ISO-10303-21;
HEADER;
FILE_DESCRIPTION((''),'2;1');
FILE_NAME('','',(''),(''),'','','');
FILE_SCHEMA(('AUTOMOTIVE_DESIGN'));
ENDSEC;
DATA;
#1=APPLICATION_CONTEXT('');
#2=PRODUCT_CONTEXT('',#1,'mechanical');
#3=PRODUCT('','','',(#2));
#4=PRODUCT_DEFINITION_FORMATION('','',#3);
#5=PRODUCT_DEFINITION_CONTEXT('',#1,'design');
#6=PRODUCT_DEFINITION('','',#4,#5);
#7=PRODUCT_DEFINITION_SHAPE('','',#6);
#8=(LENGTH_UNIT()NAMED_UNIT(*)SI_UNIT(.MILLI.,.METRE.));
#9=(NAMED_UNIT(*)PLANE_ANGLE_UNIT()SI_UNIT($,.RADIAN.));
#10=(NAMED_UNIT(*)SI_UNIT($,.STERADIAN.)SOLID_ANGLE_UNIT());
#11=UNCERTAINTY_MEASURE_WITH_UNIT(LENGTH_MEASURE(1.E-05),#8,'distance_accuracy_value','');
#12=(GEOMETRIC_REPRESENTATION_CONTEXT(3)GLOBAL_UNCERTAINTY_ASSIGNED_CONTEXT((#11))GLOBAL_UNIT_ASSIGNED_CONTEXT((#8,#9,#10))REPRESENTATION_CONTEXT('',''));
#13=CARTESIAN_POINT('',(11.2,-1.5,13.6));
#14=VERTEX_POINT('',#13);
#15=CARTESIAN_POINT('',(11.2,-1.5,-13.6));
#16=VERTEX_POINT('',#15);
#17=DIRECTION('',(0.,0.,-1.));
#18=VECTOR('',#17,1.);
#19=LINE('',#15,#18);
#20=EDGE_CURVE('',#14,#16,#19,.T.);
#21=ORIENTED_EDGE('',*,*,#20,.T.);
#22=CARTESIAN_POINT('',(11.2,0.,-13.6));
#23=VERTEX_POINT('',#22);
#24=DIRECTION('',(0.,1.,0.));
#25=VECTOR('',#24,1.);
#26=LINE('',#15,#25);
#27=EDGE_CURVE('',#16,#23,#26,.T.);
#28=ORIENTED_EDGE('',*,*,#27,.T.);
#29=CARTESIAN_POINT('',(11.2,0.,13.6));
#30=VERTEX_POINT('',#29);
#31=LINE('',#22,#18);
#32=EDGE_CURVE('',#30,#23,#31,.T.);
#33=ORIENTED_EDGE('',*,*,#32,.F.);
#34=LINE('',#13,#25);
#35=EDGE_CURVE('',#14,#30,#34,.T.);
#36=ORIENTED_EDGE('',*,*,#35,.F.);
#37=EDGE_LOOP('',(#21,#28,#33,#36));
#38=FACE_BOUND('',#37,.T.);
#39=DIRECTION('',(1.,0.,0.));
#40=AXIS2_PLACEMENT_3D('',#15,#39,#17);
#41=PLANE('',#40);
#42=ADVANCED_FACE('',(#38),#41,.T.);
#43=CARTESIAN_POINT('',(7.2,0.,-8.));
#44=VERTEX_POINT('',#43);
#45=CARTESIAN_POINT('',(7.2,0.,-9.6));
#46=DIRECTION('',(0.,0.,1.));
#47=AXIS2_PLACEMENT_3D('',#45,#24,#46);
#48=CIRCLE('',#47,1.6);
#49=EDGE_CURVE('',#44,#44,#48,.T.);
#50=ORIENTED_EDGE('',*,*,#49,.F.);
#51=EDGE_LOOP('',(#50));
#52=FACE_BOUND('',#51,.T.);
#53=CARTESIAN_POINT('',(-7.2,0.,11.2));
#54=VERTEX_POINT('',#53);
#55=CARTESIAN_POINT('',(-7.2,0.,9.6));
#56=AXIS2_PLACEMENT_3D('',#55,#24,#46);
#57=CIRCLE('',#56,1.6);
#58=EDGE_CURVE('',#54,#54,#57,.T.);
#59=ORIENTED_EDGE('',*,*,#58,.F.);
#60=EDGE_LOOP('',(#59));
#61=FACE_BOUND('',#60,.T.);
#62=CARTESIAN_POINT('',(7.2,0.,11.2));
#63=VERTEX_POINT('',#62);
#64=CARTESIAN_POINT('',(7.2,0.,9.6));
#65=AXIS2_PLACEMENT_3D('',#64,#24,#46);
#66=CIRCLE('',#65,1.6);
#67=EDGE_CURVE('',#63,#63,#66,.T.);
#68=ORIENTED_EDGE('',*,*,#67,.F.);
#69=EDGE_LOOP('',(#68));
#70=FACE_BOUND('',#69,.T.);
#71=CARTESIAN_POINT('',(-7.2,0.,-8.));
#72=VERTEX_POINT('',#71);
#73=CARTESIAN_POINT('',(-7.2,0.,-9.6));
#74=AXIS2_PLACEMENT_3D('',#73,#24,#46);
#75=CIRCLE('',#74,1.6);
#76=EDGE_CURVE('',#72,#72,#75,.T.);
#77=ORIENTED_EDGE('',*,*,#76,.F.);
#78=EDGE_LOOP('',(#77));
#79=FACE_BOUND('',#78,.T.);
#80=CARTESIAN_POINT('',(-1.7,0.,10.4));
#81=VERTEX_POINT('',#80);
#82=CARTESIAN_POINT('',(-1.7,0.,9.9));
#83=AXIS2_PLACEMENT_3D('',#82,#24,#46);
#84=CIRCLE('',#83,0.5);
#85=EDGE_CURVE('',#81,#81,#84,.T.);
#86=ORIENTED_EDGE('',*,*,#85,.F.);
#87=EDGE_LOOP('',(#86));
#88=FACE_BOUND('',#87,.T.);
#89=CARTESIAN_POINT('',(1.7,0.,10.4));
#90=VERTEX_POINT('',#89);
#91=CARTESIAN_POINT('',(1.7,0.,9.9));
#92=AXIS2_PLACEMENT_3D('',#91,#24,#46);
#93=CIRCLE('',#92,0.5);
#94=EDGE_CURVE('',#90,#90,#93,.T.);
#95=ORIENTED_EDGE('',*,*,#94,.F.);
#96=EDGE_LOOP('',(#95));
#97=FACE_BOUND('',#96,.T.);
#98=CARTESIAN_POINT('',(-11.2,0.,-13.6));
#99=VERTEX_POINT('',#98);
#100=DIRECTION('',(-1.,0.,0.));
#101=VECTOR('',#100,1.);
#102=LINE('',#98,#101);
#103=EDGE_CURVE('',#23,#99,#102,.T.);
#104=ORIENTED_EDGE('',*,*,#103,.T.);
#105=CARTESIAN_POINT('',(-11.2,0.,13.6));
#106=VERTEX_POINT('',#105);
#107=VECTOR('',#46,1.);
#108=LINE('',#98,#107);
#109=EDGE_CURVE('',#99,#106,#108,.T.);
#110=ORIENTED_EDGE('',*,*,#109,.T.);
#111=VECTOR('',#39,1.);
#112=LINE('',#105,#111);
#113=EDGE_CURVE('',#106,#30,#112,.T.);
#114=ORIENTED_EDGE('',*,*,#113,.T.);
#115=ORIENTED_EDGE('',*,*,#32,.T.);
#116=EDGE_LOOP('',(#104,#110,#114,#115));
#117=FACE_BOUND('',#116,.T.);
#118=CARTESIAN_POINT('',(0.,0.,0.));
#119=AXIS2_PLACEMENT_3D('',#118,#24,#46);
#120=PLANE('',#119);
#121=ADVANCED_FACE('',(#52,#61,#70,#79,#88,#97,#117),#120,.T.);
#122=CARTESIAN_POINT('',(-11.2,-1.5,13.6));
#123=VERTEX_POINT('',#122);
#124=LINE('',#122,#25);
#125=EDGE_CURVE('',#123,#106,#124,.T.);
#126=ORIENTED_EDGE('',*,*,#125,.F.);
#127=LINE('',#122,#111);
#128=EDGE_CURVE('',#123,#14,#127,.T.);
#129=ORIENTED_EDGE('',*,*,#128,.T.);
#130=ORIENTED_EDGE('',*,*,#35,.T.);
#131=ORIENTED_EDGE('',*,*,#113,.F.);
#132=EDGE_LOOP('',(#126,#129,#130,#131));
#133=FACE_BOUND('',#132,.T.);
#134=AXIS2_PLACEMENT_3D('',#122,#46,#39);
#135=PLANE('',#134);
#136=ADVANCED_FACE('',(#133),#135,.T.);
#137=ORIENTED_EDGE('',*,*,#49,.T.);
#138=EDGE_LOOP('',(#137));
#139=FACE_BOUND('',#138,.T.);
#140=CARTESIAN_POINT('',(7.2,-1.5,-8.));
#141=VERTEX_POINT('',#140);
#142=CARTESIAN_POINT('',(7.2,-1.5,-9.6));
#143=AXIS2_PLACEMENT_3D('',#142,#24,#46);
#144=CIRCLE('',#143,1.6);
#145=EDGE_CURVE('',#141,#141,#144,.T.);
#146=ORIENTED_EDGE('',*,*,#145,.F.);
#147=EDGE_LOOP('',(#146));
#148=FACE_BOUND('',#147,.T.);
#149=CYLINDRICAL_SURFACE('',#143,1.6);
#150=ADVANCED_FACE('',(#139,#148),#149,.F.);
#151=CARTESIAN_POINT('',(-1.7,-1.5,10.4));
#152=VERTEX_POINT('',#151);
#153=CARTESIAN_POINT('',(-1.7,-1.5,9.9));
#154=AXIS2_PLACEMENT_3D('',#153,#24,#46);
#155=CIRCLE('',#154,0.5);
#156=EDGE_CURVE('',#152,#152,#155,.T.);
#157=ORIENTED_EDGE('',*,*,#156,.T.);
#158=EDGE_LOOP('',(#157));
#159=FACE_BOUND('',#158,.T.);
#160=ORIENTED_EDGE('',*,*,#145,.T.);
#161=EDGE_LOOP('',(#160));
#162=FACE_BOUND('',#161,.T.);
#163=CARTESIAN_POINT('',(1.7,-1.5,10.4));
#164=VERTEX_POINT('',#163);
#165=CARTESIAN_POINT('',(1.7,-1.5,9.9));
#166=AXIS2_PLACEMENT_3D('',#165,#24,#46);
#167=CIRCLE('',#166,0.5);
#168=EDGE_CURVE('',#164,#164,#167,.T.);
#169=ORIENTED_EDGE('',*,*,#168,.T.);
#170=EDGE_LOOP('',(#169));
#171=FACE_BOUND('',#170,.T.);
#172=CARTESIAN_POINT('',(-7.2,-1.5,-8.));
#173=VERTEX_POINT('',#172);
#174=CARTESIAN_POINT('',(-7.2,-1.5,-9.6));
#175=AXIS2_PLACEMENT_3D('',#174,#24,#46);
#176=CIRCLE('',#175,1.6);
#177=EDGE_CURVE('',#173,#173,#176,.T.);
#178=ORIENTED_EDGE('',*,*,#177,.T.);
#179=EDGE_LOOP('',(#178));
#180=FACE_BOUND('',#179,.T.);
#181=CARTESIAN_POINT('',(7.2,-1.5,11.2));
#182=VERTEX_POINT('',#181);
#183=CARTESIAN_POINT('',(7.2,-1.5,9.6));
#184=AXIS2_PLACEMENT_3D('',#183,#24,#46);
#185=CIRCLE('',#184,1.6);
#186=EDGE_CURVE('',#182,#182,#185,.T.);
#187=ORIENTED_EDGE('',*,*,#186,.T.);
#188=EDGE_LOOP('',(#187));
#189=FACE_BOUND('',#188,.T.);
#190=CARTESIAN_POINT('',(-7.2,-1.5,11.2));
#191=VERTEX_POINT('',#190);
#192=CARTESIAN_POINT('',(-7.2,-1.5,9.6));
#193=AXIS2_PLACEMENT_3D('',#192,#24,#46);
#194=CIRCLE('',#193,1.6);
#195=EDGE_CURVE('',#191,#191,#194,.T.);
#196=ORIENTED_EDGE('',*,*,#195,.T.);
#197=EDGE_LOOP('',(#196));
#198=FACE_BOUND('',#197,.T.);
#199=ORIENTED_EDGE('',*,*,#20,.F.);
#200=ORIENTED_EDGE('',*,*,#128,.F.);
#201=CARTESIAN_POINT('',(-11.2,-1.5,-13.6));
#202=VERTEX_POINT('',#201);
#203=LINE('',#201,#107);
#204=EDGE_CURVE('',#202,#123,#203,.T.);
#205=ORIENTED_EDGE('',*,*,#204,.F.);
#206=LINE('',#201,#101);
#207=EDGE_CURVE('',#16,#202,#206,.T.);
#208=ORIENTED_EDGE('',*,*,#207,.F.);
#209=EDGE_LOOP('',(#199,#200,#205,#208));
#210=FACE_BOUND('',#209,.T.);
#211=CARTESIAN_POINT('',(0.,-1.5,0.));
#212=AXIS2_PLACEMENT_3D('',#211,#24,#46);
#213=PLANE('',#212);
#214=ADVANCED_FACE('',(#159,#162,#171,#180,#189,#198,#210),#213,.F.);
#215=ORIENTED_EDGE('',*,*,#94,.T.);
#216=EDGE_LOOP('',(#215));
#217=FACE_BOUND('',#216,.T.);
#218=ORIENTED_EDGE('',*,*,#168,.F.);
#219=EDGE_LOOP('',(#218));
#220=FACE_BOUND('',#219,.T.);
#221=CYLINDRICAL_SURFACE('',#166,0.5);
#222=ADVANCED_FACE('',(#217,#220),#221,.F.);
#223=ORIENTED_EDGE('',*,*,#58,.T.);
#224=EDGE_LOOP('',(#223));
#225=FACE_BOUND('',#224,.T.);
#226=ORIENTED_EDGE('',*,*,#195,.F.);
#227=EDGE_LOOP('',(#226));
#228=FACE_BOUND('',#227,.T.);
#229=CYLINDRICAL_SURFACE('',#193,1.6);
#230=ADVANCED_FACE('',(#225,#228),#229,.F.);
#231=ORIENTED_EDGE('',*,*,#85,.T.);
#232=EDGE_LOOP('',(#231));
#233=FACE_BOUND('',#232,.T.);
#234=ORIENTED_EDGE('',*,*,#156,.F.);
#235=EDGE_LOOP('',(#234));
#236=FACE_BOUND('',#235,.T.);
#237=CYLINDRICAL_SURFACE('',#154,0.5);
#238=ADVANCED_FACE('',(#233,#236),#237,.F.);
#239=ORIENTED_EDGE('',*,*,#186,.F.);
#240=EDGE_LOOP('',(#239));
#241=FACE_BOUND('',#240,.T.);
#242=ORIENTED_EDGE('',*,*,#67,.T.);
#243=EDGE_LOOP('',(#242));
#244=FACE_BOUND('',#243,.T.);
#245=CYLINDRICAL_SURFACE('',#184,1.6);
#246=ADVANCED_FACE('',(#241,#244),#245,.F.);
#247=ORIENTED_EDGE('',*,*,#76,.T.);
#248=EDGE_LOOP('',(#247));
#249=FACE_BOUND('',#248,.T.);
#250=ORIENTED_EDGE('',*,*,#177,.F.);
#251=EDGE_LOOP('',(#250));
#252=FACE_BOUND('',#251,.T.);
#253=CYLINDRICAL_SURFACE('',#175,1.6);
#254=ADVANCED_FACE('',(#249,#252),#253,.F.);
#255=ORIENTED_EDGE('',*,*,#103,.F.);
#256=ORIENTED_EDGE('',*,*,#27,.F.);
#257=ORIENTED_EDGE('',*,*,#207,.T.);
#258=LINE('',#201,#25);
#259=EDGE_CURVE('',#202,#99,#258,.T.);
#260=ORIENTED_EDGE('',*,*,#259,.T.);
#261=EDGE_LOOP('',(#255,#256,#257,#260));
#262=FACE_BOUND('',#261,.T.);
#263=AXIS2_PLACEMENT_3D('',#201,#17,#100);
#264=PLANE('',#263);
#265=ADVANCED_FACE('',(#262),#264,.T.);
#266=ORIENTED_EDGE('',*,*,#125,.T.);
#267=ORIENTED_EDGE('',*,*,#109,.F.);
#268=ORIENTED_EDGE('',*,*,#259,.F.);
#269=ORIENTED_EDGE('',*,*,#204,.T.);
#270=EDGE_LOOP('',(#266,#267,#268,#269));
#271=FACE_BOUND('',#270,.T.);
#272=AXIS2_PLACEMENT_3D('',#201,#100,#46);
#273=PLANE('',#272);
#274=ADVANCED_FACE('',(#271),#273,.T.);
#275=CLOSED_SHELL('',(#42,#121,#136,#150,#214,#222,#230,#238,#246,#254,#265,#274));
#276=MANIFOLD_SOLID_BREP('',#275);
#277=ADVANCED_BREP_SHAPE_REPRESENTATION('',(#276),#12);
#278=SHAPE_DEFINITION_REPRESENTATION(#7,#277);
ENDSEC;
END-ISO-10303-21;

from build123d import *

# Parameters (mm, degrees)
SKETCH1_W           = 22.4
SKETCH1_H           = 27.2
SKETCH1_R           = 1.6
SKETCH1_R_2         = 0.5
BOSS_EXTRUDE1_DEPTH = 1.5


with BuildPart() as part:
    # Sketch1 → Boss-Extrude1 (new body)
    with BuildSketch(Plane(origin=(0, 0, 0), x_dir=(1, 0, 0), z_dir=(0, 1, 0))):
        Rectangle(SKETCH1_W, SKETCH1_H)
        with Locations((7.2, 9.6)):
            Circle(SKETCH1_R, mode=Mode.SUBTRACT)
        with Locations((-7.2, 9.6)):
            Circle(SKETCH1_R, mode=Mode.SUBTRACT)
        with Locations((-7.2, -9.6)):
            Circle(SKETCH1_R, mode=Mode.SUBTRACT)
        with Locations((-1.7, -9.9)):
            Circle(SKETCH1_R_2, mode=Mode.SUBTRACT)
        with Locations((1.7, -9.9)):
            Circle(SKETCH1_R_2, mode=Mode.SUBTRACT)
        with Locations((7.2, -9.6)):
            Circle(SKETCH1_R, mode=Mode.SUBTRACT)
    extrude(amount=-BOSS_EXTRUDE1_DEPTH)


solid = part.part
